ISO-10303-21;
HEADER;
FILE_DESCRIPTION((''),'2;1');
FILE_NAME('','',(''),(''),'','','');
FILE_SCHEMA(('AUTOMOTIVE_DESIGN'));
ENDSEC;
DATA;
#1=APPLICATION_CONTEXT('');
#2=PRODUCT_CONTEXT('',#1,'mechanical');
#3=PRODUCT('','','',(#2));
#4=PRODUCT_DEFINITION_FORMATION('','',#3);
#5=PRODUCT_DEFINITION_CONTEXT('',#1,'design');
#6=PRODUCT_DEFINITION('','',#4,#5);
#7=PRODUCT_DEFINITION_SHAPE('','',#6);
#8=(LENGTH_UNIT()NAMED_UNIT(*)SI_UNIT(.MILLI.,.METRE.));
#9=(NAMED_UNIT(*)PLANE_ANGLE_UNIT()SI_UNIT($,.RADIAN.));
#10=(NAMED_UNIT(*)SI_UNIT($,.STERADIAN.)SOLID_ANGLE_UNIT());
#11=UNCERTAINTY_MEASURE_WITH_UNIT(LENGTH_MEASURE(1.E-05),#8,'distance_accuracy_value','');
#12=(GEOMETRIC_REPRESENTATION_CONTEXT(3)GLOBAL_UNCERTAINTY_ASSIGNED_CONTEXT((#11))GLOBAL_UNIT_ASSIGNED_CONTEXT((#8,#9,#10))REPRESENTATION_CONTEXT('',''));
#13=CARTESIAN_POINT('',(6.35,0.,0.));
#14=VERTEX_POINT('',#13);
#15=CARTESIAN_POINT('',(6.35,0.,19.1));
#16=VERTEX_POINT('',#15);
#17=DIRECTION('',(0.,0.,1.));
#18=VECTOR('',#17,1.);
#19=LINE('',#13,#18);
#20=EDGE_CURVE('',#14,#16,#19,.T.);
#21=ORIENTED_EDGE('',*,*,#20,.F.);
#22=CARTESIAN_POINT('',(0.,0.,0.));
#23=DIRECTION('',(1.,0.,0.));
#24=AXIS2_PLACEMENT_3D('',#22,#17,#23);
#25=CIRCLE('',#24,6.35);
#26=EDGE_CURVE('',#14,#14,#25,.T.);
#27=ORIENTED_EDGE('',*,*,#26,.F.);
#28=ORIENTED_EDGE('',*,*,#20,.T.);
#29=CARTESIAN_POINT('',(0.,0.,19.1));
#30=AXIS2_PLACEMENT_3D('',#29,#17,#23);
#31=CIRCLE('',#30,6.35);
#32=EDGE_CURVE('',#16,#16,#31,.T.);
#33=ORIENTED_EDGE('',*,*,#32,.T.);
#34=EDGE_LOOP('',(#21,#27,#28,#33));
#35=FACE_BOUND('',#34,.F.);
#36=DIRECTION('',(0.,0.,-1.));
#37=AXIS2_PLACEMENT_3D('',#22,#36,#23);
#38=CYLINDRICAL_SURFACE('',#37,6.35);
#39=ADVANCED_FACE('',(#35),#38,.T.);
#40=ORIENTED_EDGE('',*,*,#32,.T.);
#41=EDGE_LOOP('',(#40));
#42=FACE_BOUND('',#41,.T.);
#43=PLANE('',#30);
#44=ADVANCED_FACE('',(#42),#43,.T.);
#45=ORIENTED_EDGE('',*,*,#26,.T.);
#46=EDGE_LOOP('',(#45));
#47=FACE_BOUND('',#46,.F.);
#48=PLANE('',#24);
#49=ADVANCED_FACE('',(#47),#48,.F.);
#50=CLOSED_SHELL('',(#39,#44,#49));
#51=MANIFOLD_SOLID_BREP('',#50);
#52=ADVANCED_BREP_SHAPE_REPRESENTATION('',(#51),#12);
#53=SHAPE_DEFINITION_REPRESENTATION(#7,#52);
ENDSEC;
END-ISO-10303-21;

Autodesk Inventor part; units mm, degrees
ref_plane "YZ Plane" through (0, 0, 0) normal (1, 0, 0) x (0, 1, 0)
ref_plane "Start Plane" through (0, 0, 0) normal (0, 0, 1) x (1, 0, 0)
ref_plane "End Plane" through (0, 0, 19.1) normal (0, 0, 1) x (1, 0, 0)
sketch "Sketch" plane through (0, 0, 0) normal (0, 0, 1) x (1, 0, 0)
  circle A0 centre (0, 0) radius 6.35
  dimension "d0" = 12.7
extrude "Body" add sketch "Sketch" along normal up to surface (19.1 mm away) from surface at 0
sketch "Sketch2" plane through (0, 0, 0) normal (0, 0, 1) x (1, 0, 0)
  line L0 (0, 0) -> (10, 0)
ref_plane "Work Plane3" through (0, 0, 0) normal (0, -1, 0) x (1, 0, 0)
sketch "Sketch3" plane through (0, 0, 0) normal (0, -1, 0) x (1, 0, 0)
  line L0 (-2, 0) -> (12, 0) projected
  line L1 (-2, 19.1) -> (12, 19.1) projected
  dimension "d7" = 19.1
equation "\"d0\" = Diam"
equation "\"d1\" = G_L"
equation "\"Diam\" = 12.7"
equation "\"G_L\" = d7"
equation "\"G_OFFSET_START\" = 0"
equation "\"G_OFFSET_END\" = 0"
equation "\"d5\" = G_OFFSET_END + B_L"
equation "\"B_L\" = 19.1"
properties part number "ANSI/AISC Rolled Steel - 1/2-0.752, RB" material "Aluminum 6061"
